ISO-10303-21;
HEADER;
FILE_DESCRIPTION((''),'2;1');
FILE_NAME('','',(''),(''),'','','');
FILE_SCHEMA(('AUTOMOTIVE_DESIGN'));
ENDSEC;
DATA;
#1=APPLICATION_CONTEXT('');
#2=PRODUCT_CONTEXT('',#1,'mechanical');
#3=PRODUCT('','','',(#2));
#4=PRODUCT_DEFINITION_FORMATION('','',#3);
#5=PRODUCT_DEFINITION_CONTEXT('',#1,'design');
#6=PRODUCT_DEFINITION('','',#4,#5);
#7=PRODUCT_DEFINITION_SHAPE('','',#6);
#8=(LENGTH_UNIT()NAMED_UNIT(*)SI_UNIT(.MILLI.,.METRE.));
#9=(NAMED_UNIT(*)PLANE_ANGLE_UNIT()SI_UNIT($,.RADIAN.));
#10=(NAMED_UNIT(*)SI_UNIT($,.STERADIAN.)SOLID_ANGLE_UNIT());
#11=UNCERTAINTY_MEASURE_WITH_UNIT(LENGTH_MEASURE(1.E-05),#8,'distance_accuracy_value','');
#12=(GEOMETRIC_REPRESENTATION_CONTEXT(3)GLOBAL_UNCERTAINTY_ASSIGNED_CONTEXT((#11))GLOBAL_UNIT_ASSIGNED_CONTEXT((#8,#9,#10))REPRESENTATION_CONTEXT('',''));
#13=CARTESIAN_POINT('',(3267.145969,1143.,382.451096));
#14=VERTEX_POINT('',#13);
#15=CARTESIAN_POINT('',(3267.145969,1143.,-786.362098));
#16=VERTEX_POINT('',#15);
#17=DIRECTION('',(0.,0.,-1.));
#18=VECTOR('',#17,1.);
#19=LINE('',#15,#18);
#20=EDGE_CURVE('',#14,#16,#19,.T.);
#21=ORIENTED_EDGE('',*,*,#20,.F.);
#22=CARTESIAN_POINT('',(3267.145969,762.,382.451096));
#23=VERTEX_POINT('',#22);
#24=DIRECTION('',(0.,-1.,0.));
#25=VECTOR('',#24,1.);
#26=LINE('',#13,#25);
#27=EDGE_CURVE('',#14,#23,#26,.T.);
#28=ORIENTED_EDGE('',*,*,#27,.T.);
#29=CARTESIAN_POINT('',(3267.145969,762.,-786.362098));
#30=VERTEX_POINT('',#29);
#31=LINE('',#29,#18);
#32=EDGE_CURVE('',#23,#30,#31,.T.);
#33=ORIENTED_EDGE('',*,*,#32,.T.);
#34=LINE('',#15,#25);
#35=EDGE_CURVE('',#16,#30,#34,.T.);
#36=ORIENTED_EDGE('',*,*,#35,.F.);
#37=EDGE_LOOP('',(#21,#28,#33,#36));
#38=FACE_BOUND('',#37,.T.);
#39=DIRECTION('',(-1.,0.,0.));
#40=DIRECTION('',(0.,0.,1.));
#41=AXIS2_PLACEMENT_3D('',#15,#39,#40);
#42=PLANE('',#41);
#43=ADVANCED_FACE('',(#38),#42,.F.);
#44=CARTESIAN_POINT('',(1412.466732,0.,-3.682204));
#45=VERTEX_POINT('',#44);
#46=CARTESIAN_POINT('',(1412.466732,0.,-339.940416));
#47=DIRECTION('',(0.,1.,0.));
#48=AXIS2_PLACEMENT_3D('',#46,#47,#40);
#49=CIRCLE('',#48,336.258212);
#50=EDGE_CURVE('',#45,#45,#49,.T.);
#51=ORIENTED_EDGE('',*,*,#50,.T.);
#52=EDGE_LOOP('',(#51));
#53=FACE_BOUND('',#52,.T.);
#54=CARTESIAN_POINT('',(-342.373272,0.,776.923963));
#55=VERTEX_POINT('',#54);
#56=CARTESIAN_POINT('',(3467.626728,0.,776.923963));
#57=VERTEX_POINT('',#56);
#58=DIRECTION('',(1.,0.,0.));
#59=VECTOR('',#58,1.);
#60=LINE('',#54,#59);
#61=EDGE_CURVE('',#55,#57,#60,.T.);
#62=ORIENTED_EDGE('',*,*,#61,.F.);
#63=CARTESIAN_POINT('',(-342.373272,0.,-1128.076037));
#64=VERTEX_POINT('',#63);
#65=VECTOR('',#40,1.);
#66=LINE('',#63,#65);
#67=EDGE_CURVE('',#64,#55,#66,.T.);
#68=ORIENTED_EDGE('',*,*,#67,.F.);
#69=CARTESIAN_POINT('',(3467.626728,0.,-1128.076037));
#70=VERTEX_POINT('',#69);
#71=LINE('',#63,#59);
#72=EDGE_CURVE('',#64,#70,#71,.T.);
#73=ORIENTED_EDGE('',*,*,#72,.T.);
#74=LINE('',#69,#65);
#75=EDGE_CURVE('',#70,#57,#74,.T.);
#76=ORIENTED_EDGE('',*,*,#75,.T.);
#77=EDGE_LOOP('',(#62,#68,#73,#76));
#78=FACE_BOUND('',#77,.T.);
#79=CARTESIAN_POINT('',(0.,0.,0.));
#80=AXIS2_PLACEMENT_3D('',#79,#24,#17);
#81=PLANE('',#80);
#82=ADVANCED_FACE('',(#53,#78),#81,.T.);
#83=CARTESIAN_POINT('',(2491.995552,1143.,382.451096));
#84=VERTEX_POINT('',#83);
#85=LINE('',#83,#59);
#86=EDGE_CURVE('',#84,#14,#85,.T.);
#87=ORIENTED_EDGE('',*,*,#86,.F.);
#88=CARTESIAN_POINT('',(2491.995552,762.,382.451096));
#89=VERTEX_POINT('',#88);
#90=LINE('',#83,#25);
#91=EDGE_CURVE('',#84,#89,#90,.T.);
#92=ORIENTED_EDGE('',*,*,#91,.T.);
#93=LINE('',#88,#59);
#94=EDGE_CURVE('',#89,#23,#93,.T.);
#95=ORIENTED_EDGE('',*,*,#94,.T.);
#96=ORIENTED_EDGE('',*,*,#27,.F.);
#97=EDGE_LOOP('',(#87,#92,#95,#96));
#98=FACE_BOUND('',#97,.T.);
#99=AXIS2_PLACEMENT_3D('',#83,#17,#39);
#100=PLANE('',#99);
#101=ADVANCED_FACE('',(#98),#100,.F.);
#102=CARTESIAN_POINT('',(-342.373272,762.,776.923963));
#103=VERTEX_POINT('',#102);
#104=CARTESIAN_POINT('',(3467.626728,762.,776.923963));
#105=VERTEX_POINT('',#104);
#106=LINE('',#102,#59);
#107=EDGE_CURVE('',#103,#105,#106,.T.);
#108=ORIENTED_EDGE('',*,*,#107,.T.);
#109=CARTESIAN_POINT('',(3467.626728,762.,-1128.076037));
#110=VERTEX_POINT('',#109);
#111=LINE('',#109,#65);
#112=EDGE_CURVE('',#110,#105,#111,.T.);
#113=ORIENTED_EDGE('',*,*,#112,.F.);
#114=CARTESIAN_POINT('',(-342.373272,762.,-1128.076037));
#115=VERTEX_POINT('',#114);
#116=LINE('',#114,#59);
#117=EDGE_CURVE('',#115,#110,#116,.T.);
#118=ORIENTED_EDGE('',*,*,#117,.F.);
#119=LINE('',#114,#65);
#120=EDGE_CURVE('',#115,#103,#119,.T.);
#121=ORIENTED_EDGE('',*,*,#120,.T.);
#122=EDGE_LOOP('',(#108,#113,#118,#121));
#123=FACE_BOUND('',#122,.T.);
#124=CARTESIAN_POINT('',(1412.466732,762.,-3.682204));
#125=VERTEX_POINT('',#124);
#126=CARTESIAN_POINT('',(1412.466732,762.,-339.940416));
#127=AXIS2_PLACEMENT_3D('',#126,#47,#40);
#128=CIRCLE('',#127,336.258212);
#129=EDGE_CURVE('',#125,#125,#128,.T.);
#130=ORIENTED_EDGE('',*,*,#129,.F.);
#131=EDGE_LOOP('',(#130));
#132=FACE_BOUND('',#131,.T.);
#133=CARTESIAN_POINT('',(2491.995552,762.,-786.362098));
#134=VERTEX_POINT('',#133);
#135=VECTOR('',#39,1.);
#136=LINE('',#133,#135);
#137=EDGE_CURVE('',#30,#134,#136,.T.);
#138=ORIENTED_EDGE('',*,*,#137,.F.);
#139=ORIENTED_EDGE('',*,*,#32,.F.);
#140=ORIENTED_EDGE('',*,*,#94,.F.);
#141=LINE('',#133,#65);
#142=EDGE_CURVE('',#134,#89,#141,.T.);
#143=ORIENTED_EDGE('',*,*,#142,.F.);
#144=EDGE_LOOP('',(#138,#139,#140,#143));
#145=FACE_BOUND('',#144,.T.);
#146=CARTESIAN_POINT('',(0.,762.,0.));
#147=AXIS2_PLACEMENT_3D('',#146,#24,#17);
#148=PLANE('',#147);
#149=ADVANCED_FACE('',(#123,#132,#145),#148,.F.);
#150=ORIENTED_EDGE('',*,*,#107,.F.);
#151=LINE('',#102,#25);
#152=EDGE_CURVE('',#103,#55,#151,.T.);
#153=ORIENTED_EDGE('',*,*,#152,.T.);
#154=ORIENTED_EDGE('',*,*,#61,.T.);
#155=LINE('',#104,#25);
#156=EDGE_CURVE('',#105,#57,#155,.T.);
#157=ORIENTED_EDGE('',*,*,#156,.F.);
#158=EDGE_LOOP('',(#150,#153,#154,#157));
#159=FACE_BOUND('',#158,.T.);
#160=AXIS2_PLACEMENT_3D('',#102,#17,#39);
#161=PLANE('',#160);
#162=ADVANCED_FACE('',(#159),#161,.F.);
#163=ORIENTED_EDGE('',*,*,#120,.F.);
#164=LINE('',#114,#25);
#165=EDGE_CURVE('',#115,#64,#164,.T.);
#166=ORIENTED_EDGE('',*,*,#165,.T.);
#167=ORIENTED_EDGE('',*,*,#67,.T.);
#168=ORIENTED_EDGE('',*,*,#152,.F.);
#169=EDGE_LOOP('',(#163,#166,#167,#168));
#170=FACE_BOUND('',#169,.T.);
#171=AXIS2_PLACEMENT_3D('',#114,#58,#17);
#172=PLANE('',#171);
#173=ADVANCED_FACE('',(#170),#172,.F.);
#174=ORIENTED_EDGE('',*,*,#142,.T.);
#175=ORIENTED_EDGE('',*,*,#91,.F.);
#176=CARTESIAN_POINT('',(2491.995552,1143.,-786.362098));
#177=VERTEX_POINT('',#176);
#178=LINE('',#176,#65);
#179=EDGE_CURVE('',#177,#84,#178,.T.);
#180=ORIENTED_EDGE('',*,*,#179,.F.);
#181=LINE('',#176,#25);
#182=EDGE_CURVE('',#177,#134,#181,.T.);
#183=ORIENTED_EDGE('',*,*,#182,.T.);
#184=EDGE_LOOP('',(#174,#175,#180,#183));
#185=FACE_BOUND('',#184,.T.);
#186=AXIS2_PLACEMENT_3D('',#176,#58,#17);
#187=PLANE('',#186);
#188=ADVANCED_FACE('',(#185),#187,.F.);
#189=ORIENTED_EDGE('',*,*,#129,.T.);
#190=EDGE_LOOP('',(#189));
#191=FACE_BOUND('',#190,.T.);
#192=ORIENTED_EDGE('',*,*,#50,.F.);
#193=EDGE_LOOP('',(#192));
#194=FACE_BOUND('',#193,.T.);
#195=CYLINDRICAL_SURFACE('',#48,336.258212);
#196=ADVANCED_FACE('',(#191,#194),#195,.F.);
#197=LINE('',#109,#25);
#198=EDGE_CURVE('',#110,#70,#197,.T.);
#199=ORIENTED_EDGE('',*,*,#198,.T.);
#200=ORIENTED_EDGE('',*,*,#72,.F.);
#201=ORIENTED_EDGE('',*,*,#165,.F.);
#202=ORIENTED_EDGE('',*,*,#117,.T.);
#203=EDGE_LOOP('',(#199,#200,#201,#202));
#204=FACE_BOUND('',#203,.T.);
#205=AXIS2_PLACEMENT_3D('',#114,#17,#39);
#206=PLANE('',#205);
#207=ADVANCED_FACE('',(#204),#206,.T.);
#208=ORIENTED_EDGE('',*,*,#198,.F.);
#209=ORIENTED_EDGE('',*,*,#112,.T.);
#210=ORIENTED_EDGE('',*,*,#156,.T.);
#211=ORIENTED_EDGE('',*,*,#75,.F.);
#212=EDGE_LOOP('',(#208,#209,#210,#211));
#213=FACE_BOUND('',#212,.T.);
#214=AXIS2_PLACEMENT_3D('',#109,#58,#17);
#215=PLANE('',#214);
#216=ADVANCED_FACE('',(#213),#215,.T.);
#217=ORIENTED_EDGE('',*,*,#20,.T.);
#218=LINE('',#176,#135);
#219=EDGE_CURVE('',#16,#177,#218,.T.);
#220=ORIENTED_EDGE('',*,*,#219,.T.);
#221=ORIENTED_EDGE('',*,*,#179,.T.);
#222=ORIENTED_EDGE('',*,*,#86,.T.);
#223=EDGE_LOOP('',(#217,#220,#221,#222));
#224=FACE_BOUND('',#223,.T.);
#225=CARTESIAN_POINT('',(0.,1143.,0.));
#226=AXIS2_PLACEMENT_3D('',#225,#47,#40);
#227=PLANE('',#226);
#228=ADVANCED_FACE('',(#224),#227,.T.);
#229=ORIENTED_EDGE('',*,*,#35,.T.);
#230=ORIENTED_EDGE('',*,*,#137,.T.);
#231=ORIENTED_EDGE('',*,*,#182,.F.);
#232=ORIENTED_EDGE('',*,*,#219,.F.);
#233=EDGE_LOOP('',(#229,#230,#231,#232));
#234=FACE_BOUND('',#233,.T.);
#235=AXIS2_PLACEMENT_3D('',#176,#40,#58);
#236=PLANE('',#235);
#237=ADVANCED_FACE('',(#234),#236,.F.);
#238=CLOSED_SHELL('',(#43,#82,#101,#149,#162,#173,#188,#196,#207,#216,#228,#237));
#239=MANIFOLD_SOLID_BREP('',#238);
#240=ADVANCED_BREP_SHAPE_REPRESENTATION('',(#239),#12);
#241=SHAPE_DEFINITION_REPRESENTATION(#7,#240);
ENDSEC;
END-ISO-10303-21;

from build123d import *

# Parameters (mm, degrees)
SKETCH1_W           = 3810
SKETCH1_H           = 1905
BOSS_EXTRUDE1_DEPTH = 762
SKETCH2_R           = 336.258211588
CUT_EXTRUDE1_DEPTH  = 763
SKETCH3_W           = 775.150416673
SKETCH3_H           = 1168.813193726
BOSS_EXTRUDE2_DEPTH = 381


with BuildPart() as part:
    # Sketch1 → Boss-Extrude1 (new body)
    with BuildSketch(Plane(origin=(0, 0, 0), x_dir=(1, 0, 0), z_dir=(0, 1, 0))):
        with Locations((1562.626728111, 175.576036866)):
            Rectangle(SKETCH1_W, SKETCH1_H)
    extrude(amount=BOSS_EXTRUDE1_DEPTH)

    # Sketch2 → Cut-Extrude1 (cut, through all)
    with BuildSketch(Plane(origin=(0, 762, 0), x_dir=(1, 0, 0), z_dir=(0, 1, 0))):
        with Locations((1412.4667322, 339.940416015)):
            Circle(SKETCH2_R)
    extrude(amount=-CUT_EXTRUDE1_DEPTH, mode=Mode.SUBTRACT)

    # Sketch3 → Boss-Extrude2 (add)
    with BuildSketch(Plane(origin=(0, 762, 0), x_dir=(1, 0, 0), z_dir=(0, 1, 0))):
        with Locations((2879.570760626, 201.955501308)):
            Rectangle(SKETCH3_W, SKETCH3_H)
    extrude(amount=BOSS_EXTRUDE2_DEPTH)


solid = part.part
